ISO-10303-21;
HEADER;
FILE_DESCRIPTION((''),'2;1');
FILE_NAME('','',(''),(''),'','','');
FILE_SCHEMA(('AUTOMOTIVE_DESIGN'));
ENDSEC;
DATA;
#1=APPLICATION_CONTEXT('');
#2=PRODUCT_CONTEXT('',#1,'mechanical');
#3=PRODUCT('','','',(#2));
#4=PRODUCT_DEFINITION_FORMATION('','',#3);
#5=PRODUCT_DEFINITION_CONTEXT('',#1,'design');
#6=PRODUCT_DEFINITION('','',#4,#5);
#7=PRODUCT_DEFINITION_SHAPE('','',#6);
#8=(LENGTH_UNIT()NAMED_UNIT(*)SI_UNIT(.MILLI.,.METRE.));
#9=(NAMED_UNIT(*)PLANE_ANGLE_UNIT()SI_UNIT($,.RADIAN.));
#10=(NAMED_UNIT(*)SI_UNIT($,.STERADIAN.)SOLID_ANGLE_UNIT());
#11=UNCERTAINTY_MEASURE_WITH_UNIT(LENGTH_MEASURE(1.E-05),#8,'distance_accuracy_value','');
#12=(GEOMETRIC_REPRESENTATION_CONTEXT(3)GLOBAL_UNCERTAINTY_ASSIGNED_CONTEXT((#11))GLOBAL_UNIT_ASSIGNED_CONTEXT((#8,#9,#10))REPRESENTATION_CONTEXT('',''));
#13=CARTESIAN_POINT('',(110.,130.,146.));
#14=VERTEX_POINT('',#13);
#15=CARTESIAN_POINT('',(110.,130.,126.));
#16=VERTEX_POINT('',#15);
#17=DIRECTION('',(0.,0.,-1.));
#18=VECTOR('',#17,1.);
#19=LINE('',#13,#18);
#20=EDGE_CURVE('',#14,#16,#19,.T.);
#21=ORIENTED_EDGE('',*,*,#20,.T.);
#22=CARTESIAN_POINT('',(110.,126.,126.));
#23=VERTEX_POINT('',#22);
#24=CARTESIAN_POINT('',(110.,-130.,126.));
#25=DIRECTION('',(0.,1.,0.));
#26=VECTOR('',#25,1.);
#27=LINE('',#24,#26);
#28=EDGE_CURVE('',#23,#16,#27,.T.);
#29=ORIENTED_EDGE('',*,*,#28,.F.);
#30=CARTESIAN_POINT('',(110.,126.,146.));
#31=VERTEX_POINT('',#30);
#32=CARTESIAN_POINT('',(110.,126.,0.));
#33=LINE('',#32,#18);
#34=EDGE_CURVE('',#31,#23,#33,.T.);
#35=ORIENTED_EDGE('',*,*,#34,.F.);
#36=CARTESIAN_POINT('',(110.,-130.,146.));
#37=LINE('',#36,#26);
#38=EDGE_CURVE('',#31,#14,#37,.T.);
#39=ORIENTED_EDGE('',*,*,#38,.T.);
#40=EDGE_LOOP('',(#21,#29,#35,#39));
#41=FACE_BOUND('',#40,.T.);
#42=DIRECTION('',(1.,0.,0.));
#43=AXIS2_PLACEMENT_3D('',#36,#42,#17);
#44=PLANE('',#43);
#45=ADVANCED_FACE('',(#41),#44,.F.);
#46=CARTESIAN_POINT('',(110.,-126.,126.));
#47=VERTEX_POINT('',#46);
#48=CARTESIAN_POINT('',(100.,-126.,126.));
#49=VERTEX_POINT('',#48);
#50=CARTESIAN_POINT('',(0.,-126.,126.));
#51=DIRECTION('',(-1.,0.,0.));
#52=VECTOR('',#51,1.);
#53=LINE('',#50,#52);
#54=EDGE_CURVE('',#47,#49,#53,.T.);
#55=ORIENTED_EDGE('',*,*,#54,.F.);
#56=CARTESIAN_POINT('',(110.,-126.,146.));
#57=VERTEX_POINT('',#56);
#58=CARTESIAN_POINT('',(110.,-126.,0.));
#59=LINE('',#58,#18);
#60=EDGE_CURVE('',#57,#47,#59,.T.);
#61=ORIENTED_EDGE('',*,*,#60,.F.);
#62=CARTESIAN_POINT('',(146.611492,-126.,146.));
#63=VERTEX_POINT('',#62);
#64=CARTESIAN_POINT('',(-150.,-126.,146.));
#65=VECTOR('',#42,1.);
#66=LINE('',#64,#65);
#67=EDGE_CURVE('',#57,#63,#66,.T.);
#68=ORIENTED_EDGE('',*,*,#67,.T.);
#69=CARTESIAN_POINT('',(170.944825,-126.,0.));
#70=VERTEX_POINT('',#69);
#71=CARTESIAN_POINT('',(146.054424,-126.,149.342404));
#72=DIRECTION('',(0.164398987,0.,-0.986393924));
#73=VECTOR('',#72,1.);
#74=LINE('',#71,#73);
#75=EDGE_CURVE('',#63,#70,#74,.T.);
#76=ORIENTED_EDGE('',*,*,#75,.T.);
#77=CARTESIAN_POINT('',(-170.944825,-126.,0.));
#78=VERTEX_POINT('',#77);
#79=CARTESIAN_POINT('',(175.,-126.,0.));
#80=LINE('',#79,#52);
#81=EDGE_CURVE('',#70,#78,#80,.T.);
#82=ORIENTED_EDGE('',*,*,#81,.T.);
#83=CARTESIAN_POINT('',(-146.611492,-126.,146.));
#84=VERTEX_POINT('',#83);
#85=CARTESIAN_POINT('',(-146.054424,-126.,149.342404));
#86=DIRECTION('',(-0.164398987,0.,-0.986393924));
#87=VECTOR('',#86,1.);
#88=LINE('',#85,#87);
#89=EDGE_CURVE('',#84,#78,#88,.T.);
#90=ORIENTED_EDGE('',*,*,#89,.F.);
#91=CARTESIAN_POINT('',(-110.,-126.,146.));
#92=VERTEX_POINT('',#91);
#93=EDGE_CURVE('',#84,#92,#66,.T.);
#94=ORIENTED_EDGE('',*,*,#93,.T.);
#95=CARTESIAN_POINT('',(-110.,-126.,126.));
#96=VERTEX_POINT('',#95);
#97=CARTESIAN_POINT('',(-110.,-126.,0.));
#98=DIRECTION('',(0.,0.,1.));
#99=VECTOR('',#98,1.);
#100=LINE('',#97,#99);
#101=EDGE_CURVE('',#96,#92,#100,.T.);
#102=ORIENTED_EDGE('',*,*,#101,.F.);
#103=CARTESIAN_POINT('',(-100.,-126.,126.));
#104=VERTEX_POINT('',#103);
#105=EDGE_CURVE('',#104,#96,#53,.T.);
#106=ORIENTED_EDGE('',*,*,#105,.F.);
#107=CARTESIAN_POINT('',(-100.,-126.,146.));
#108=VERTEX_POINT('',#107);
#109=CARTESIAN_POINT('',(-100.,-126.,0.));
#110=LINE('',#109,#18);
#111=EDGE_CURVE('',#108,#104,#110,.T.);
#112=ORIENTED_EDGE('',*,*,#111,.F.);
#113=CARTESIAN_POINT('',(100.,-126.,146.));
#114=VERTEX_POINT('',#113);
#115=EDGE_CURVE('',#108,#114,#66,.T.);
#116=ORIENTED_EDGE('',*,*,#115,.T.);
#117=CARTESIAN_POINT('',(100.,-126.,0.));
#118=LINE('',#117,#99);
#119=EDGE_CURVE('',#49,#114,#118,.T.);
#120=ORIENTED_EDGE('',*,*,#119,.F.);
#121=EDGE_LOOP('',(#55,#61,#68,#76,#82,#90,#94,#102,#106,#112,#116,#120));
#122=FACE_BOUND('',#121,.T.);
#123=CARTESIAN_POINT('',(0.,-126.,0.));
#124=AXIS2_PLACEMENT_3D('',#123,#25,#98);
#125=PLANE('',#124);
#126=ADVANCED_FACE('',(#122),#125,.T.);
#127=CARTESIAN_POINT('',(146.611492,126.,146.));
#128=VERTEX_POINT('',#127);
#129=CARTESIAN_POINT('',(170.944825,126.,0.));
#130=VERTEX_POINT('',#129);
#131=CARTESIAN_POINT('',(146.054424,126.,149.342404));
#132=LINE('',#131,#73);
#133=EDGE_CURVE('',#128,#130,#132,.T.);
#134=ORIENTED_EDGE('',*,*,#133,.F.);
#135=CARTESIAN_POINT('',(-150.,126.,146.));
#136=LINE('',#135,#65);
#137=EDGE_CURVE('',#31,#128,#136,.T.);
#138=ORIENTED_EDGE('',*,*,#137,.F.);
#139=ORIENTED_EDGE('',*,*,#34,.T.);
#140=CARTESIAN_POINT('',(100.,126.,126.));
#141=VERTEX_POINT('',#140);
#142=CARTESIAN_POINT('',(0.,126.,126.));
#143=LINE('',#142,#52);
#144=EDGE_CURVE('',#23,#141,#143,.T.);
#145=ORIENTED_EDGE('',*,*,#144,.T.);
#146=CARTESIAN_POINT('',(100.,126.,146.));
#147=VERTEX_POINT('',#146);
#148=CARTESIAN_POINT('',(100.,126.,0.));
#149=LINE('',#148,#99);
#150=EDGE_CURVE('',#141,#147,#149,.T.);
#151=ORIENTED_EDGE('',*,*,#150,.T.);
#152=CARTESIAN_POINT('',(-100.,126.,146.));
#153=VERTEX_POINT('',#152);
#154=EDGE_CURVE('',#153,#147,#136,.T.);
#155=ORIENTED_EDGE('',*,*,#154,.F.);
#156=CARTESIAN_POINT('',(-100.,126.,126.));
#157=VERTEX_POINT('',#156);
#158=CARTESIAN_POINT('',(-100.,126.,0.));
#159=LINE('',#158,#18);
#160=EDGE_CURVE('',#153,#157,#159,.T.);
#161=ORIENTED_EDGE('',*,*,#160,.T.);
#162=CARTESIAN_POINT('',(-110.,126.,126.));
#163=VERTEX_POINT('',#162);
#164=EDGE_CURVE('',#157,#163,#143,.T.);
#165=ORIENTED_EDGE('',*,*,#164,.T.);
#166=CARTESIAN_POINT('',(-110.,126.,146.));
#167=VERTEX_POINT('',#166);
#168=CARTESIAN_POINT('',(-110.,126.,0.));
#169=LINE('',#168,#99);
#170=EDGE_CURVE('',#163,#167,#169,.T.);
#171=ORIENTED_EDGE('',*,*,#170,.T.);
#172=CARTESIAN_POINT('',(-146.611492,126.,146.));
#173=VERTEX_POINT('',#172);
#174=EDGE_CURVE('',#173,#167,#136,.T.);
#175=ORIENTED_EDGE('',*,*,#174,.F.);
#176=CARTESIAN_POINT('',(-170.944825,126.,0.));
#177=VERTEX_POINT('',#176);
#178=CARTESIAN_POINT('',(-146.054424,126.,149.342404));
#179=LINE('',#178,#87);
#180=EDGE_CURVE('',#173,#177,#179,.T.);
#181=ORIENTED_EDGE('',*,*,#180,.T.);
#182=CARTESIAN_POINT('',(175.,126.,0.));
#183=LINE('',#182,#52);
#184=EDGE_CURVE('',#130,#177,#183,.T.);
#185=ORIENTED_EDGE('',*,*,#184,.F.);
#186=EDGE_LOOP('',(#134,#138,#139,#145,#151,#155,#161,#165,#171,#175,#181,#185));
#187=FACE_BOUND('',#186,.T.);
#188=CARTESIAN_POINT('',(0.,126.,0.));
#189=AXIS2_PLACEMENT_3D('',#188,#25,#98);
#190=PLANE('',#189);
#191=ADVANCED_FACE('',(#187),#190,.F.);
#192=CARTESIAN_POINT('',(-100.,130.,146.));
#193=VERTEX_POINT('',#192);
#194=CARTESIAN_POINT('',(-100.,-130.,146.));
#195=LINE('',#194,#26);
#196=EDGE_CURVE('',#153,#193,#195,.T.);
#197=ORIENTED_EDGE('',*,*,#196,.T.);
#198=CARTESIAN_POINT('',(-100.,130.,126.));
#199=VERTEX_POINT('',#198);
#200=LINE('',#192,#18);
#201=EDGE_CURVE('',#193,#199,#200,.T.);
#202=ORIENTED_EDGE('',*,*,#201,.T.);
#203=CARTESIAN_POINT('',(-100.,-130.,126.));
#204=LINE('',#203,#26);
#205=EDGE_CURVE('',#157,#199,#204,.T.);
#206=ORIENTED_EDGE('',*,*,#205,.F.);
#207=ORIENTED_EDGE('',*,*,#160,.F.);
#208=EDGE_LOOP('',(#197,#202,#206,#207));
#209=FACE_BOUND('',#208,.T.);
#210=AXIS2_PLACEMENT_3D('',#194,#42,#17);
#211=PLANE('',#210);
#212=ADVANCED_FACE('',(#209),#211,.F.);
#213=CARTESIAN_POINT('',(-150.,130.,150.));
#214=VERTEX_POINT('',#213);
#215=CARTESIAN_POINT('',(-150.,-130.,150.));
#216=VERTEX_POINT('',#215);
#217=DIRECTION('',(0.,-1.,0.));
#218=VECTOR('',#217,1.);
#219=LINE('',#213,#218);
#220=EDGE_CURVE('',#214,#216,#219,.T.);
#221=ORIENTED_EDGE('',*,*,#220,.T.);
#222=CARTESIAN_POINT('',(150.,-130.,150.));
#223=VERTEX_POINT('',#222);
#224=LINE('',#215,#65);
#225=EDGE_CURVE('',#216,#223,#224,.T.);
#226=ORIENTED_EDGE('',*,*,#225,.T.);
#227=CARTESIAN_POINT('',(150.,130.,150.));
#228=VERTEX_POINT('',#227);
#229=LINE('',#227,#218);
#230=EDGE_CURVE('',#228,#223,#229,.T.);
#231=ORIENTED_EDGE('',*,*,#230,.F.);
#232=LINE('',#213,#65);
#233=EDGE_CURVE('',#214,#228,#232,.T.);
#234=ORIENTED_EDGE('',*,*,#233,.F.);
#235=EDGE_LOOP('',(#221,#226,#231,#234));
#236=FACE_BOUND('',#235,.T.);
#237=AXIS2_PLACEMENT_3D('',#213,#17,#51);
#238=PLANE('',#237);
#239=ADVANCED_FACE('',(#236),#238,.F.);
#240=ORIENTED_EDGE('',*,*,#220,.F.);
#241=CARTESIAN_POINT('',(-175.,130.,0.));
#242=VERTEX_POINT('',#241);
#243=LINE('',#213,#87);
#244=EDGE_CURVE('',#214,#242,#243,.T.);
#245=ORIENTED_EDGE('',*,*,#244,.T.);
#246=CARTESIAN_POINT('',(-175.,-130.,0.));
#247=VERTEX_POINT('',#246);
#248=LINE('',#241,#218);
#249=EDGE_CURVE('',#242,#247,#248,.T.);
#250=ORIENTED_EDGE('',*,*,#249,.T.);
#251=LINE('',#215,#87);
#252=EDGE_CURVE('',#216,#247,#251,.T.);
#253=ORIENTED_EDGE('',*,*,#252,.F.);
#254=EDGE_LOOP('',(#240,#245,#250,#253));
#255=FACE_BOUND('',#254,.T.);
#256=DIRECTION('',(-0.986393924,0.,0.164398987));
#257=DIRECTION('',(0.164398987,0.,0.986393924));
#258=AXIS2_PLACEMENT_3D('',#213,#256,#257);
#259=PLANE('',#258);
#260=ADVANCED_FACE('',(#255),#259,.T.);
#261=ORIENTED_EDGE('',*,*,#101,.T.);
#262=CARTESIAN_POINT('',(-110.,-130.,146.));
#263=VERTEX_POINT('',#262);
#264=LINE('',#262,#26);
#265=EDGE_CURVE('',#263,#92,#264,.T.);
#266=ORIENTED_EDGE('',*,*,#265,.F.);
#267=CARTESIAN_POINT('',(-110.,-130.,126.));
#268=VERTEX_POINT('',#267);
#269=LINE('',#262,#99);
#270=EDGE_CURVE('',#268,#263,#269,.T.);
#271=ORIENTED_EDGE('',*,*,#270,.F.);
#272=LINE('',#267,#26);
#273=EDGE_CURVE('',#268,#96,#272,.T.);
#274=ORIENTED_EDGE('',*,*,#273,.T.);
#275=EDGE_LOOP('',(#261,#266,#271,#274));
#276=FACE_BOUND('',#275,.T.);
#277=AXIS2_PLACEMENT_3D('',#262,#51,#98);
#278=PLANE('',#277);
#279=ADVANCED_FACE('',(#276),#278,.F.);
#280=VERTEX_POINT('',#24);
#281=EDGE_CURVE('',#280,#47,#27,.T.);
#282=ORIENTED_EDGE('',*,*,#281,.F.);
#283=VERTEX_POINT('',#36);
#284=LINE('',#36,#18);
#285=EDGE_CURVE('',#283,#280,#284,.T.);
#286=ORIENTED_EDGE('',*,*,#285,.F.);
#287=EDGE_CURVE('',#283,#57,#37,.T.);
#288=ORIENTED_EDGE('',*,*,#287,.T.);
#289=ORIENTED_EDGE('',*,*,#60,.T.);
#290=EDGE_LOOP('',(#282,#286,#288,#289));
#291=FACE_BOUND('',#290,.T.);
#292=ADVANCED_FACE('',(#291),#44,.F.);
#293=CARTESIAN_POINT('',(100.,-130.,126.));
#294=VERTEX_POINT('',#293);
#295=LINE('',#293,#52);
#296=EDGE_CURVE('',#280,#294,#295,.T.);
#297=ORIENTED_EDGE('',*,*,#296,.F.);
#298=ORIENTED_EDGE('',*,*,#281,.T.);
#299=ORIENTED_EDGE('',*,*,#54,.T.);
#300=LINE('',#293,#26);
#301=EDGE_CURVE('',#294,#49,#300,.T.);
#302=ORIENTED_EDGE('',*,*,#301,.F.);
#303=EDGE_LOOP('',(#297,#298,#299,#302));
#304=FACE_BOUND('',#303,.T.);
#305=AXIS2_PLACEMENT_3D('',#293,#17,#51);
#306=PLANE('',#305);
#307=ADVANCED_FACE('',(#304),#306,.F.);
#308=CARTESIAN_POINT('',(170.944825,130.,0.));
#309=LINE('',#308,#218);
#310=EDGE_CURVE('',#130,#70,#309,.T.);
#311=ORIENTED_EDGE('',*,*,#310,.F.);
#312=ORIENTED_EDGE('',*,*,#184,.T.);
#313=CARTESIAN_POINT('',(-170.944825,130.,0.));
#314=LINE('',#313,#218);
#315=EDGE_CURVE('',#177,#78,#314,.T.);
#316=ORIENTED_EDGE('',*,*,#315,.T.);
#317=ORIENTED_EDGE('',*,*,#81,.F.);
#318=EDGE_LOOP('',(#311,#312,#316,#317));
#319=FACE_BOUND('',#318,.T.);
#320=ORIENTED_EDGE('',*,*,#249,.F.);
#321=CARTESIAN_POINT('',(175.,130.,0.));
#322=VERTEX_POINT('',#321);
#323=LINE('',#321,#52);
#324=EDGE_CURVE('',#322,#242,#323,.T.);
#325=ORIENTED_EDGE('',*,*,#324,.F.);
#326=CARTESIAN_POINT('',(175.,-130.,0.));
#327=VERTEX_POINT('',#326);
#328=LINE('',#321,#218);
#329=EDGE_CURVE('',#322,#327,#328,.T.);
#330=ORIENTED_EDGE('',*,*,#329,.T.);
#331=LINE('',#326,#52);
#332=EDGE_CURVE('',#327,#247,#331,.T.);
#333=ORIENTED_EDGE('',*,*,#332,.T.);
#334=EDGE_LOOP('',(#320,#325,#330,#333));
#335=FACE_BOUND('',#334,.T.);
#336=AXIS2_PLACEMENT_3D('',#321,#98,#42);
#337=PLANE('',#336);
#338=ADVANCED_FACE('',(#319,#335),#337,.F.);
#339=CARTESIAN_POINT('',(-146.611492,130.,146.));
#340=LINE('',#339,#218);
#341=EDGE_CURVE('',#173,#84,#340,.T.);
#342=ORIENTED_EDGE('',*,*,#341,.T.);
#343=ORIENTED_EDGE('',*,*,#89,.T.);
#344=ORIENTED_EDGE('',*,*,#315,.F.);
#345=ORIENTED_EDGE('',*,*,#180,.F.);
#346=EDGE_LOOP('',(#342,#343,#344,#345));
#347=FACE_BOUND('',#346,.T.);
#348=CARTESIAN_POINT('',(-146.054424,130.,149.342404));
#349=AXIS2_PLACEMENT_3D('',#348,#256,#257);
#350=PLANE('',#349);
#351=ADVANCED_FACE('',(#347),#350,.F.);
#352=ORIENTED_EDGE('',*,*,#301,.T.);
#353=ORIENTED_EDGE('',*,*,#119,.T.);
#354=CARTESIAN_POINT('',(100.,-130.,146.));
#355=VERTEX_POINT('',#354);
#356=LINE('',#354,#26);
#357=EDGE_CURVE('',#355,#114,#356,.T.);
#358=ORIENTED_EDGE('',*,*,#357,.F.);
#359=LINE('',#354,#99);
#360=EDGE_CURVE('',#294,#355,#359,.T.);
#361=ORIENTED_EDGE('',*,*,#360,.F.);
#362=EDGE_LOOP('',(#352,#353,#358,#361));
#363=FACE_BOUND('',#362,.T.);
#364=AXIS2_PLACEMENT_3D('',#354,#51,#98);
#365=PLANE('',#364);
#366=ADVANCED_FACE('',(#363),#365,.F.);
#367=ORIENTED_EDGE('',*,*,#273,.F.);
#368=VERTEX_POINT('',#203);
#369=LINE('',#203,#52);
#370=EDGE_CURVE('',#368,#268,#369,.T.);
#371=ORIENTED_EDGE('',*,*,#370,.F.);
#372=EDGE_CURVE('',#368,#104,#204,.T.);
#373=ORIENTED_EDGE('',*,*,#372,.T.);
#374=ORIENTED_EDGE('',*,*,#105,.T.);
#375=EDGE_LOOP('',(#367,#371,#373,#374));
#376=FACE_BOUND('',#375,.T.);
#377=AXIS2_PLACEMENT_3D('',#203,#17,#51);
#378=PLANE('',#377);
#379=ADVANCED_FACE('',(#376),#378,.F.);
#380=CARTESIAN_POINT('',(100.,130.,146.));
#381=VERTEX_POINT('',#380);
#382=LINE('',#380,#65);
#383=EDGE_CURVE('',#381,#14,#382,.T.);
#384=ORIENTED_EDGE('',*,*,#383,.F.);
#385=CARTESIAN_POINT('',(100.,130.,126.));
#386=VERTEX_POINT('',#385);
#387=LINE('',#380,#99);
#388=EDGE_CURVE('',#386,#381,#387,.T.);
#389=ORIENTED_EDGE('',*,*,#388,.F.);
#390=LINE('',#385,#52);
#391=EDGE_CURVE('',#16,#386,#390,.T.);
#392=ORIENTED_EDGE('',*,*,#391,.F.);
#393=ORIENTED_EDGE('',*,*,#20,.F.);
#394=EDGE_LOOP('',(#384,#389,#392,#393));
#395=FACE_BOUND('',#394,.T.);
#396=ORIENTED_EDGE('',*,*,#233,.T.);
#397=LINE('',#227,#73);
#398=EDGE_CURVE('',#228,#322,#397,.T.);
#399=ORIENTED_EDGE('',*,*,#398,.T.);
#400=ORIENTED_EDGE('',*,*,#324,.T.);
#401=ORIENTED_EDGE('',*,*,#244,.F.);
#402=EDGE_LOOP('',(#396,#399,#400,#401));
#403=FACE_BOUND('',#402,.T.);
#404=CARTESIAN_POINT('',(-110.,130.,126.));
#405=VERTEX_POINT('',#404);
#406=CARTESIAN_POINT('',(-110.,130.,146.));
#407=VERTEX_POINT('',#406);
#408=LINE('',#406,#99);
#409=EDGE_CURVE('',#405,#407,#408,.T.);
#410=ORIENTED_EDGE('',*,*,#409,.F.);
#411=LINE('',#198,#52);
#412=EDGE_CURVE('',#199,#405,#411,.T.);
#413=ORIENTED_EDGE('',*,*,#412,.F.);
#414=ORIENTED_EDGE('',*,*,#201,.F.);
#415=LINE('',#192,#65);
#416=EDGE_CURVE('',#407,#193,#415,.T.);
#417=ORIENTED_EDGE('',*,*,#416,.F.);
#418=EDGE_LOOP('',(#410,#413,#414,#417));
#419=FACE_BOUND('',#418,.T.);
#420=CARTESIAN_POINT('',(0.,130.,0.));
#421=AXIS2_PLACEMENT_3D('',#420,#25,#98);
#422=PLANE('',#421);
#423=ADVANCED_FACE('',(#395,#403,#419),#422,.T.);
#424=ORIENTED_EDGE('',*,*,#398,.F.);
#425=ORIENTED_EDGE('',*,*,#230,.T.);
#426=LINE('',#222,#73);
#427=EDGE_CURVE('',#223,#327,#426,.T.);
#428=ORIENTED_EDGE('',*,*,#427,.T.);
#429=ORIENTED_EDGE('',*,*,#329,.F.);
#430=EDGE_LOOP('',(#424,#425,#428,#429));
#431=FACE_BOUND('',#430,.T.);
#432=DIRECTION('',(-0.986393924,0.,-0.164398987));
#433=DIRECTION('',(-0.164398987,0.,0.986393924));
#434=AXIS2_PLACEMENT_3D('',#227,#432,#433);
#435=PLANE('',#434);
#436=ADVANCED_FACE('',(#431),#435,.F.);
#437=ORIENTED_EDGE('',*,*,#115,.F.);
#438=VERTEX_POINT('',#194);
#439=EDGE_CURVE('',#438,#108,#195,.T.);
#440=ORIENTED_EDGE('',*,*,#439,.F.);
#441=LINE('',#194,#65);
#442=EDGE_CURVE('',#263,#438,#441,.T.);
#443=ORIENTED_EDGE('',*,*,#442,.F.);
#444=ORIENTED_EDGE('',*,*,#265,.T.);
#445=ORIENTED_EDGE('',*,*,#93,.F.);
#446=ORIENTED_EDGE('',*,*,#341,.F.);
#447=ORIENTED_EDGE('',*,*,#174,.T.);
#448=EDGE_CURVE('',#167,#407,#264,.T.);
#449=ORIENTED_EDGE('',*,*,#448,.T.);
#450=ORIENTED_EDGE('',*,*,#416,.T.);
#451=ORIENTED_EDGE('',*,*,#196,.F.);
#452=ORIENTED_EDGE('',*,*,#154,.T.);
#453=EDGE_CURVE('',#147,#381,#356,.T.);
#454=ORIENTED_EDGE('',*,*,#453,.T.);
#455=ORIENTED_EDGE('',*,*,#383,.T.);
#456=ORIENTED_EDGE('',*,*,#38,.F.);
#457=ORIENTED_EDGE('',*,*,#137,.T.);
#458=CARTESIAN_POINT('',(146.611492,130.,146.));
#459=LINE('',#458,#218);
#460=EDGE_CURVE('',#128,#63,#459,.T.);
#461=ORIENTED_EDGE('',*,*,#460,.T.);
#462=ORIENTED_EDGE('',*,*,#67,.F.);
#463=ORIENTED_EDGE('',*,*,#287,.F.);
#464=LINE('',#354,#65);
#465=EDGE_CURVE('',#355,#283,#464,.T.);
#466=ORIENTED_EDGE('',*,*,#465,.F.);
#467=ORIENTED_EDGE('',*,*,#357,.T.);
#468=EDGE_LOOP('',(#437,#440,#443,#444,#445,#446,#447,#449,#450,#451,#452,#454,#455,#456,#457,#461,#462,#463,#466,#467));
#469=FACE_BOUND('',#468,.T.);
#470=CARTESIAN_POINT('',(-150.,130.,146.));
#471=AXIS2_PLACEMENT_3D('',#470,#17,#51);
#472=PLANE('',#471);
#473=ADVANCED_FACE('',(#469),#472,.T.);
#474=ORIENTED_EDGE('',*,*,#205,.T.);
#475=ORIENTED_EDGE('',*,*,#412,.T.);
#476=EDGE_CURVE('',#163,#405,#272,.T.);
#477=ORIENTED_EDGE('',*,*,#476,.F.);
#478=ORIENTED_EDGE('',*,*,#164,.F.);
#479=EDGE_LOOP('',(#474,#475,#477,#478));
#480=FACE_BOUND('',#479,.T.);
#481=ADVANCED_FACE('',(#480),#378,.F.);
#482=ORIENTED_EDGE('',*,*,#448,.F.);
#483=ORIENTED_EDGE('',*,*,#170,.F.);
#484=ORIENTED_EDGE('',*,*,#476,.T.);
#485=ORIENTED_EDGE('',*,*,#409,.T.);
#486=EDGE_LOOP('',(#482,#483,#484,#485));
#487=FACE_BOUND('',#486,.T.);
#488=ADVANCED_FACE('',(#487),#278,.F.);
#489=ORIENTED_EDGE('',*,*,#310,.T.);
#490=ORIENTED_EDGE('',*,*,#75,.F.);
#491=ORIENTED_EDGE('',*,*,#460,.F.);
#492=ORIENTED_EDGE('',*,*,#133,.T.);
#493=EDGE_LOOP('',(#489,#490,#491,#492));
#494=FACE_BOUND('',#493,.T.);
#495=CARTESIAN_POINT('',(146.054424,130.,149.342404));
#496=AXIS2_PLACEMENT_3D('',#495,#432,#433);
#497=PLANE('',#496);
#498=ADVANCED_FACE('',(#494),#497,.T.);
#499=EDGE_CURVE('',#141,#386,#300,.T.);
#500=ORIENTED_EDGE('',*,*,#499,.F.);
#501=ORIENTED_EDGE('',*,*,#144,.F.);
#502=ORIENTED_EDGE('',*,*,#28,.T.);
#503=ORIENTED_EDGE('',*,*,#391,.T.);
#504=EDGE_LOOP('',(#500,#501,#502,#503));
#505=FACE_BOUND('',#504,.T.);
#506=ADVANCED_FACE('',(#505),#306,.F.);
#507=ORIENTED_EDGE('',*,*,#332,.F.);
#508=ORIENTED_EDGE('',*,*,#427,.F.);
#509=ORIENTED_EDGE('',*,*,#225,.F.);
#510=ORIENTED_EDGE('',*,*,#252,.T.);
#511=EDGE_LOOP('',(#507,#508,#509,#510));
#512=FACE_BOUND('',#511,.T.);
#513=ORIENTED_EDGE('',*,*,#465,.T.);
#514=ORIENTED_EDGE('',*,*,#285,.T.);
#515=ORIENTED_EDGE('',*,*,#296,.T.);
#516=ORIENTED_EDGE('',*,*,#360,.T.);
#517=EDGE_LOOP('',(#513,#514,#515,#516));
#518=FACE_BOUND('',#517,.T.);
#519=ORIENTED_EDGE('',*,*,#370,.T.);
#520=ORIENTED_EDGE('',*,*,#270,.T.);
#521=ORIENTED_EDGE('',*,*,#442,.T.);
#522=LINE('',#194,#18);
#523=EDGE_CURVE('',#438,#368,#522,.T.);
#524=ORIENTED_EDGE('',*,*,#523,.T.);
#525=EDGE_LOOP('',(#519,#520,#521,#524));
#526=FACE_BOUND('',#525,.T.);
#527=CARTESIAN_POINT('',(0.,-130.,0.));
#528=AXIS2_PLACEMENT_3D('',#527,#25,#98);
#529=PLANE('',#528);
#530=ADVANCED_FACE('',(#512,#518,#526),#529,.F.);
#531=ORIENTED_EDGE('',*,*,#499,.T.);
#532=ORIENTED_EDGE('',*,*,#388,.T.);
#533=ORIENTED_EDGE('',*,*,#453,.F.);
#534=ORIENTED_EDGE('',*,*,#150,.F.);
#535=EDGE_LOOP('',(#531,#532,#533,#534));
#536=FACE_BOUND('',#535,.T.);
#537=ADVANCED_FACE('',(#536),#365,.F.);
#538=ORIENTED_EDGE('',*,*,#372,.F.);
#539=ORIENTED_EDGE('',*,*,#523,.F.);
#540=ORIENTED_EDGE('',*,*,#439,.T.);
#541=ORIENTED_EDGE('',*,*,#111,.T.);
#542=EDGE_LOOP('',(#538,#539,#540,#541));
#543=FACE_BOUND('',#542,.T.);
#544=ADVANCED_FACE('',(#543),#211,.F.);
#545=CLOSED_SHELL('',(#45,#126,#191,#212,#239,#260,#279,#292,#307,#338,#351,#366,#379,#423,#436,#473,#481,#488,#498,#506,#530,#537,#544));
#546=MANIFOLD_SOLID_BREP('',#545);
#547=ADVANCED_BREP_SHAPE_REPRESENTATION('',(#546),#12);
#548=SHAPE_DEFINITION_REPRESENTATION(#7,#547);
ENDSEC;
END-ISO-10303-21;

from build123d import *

# Parameters (mm, degrees)
EXTRUDE_2_DEPTH     = 130
SHELL_2_T           = -4
SKETCH_5_W          = 10
SKETCH_5_H          = 20
CUT_EXTRUDE_1_DEPTH = 260


with BuildPart() as part:
    # 草图1 → 凸台-拉伸2 (new, symmetric)
    with BuildSketch(Plane(origin=(0, 0, 0), x_dir=(1, 0, 0), z_dir=(0, 1, 0))):
        Polygon((175, 0), (-175, 0), (-150, -150), (150, -150), align=None)
    extrude(amount=EXTRUDE_2_DEPTH, both=True)

    # 抽壳2
    shell_2_openings = [part.faces().sort_by_distance(p)[0] for p in [
        (0, 0, 0),
    ]]
    offset(amount=SHELL_2_T, openings=shell_2_openings, kind=Kind.INTERSECTION)

    # 草图5 → 切除-拉伸1 (cut)
    with BuildSketch(Plane(origin=(0, 130, 0), x_dir=(1, 0, 0), z_dir=(0, 1, 0))):
        with Locations((-105, -136)):
            Rectangle(SKETCH_5_W, SKETCH_5_H)
        with Locations((105, -136)):
            Rectangle(SKETCH_5_W, SKETCH_5_H)
    extrude(amount=-CUT_EXTRUDE_1_DEPTH, mode=Mode.SUBTRACT)


solid = part.part
